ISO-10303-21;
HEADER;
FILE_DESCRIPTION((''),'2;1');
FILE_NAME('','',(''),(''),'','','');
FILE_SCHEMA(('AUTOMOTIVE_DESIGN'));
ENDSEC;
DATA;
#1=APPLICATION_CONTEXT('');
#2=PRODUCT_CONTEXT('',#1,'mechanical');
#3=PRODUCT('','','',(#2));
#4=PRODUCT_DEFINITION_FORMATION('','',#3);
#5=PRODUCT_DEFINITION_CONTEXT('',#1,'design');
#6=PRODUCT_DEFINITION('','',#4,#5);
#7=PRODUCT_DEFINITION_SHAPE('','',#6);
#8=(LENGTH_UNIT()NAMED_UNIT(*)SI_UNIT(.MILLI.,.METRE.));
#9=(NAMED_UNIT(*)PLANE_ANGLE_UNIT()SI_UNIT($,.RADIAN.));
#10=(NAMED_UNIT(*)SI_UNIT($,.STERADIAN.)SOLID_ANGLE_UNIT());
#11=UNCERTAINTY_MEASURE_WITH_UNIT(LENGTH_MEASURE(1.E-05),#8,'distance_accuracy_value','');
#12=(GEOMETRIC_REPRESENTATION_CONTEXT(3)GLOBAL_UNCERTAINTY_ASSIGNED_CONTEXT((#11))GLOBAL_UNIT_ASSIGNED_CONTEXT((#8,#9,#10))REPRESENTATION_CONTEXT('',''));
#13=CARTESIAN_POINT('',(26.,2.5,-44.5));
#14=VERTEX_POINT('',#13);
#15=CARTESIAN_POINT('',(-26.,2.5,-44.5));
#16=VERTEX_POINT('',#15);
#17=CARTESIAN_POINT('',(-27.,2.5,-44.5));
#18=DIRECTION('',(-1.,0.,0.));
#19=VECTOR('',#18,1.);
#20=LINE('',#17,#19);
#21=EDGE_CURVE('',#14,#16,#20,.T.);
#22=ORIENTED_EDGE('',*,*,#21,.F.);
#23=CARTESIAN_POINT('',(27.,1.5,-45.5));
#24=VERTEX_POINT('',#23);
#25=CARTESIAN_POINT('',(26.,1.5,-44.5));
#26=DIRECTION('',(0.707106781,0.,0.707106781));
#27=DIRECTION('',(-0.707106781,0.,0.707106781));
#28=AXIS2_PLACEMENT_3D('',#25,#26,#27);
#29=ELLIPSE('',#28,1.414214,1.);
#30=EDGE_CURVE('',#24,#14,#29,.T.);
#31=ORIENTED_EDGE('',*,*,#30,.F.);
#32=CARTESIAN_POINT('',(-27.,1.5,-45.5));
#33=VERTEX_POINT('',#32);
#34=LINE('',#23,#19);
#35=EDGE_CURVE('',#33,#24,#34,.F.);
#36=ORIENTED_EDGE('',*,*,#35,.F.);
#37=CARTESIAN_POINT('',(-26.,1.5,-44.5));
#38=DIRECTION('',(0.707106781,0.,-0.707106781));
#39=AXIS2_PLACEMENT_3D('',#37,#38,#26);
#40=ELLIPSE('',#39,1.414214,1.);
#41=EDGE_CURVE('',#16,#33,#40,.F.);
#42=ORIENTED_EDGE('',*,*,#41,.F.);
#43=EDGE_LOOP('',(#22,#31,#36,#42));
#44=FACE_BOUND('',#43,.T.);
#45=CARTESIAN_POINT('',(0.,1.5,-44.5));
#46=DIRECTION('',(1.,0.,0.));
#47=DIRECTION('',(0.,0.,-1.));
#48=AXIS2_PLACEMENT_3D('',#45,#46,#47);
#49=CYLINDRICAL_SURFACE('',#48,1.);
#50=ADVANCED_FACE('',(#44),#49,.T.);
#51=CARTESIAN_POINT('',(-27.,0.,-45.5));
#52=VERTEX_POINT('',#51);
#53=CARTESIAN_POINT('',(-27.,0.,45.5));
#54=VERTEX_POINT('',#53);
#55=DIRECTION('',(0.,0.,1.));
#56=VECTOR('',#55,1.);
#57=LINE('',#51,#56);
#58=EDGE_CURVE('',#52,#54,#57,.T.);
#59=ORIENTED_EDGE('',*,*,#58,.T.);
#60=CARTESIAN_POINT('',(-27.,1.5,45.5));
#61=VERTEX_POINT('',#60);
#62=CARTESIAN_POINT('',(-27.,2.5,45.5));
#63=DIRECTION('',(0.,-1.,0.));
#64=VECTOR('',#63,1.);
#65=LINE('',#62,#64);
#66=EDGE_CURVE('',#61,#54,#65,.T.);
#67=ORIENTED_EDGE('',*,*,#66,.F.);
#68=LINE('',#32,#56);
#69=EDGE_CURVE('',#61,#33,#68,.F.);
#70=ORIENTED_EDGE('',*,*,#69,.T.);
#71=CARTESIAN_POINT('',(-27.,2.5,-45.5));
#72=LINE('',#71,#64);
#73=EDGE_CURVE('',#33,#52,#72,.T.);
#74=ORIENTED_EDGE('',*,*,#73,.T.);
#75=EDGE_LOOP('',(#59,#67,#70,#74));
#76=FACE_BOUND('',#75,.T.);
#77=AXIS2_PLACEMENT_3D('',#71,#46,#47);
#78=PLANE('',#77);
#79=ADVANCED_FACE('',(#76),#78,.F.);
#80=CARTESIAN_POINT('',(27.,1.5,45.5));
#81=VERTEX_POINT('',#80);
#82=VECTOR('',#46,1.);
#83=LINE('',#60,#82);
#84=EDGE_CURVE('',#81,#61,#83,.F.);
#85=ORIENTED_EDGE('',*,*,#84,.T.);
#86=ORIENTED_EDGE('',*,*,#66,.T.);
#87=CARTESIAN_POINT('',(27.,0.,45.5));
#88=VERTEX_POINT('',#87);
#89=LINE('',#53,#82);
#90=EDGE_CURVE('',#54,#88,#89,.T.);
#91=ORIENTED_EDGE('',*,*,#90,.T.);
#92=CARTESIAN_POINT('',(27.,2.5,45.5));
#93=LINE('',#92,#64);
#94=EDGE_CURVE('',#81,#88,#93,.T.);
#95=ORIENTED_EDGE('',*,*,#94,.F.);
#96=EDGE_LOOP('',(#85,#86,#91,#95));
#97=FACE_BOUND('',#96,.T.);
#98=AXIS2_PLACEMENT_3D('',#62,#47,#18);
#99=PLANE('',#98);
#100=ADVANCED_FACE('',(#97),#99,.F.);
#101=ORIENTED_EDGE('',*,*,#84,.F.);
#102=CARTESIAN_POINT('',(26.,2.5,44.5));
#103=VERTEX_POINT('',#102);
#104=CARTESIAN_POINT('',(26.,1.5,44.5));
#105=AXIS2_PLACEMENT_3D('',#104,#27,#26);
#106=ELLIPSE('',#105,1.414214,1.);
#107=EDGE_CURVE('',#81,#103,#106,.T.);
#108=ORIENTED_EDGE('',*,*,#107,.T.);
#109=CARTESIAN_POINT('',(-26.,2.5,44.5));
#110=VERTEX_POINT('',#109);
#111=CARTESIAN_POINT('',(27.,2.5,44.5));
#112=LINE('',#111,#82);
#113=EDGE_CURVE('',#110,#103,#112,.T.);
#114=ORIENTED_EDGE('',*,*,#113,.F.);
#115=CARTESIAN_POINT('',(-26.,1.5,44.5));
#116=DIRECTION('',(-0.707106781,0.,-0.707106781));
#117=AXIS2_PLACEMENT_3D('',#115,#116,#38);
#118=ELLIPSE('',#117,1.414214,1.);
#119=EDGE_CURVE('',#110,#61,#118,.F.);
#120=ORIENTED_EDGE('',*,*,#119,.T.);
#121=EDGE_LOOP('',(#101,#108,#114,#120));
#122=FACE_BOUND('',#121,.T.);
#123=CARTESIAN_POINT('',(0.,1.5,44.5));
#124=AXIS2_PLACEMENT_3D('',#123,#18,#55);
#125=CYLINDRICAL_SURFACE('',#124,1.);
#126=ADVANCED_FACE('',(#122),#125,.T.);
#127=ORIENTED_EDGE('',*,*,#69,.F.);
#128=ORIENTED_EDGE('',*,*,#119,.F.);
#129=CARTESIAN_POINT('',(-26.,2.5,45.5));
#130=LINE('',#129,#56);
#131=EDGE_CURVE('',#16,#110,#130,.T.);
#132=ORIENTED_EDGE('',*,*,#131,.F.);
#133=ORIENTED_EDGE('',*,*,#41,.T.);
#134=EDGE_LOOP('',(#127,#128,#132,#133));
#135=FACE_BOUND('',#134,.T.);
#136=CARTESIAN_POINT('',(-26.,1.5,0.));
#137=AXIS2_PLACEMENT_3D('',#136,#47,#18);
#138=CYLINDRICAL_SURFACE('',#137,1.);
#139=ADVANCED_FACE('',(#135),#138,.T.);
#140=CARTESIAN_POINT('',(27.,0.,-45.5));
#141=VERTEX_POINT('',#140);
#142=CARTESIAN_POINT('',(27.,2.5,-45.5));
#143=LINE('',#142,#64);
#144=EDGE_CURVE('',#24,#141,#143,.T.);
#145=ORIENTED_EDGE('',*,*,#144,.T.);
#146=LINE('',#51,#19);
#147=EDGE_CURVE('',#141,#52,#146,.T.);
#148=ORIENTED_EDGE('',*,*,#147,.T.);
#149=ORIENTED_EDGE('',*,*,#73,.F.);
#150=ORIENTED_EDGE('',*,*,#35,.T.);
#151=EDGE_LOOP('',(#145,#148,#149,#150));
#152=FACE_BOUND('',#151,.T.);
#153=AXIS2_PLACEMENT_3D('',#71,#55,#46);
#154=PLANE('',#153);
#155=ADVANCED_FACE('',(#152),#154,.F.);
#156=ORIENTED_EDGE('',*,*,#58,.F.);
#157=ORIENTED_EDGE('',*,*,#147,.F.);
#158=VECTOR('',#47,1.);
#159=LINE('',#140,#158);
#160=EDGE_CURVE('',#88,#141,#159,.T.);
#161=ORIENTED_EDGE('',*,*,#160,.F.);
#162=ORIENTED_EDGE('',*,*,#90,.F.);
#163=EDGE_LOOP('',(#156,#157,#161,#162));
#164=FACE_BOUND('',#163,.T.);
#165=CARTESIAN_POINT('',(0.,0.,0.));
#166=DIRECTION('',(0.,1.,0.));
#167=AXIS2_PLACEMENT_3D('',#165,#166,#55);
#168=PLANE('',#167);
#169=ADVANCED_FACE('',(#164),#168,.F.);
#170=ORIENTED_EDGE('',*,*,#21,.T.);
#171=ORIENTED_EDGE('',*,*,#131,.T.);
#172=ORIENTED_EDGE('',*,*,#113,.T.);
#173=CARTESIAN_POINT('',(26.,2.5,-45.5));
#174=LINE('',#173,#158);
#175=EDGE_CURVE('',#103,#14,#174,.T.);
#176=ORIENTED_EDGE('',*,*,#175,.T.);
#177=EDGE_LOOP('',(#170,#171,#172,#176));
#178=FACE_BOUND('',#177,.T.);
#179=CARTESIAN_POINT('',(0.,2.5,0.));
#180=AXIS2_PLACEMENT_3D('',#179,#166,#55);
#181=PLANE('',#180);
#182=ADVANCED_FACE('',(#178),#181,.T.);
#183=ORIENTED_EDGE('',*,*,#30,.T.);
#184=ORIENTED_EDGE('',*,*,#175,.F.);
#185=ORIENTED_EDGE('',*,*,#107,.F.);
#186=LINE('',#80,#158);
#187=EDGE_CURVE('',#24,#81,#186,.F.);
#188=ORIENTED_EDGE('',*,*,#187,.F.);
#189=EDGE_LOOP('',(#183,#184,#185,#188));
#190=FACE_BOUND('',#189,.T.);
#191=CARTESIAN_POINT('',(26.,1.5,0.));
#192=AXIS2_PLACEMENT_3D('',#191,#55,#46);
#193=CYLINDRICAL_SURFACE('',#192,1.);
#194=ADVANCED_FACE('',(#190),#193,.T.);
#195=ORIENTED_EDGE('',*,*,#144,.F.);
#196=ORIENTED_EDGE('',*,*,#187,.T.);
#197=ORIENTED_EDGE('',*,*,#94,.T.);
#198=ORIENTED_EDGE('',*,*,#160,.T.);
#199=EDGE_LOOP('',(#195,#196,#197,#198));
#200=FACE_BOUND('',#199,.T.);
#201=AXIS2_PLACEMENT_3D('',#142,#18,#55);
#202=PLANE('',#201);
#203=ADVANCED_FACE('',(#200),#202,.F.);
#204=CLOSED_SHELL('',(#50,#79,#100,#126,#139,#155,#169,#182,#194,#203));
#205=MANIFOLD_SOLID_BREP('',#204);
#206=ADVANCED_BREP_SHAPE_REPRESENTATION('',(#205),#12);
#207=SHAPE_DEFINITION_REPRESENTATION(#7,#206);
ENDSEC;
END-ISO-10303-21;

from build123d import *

# Parameters (mm, degrees)
SKETCH1_W           = 54
SKETCH1_H           = 91
BOSS_EXTRUDE1_DEPTH = 2.5
FILLET1_R           = 1


with BuildPart() as part:
    # Sketch1 → Boss-Extrude1 (new body)
    with BuildSketch(Plane(origin=(0, 0, 0), x_dir=(1, 0, 0), z_dir=(0, 1, 0))):
        Rectangle(SKETCH1_W, SKETCH1_H)
    extrude(amount=BOSS_EXTRUDE1_DEPTH)

    # Fillet1
    fillet1_edges = [part.edges().sort_by_distance(p)[0] for p in [
        (-27, 2.5, 0),
        (0, 2.5, 45.5),
        (27, 2.5, 0),
        (0, 2.5, -45.5),
    ]]
    fillet(fillet1_edges, radius=FILLET1_R)


solid = part.part
